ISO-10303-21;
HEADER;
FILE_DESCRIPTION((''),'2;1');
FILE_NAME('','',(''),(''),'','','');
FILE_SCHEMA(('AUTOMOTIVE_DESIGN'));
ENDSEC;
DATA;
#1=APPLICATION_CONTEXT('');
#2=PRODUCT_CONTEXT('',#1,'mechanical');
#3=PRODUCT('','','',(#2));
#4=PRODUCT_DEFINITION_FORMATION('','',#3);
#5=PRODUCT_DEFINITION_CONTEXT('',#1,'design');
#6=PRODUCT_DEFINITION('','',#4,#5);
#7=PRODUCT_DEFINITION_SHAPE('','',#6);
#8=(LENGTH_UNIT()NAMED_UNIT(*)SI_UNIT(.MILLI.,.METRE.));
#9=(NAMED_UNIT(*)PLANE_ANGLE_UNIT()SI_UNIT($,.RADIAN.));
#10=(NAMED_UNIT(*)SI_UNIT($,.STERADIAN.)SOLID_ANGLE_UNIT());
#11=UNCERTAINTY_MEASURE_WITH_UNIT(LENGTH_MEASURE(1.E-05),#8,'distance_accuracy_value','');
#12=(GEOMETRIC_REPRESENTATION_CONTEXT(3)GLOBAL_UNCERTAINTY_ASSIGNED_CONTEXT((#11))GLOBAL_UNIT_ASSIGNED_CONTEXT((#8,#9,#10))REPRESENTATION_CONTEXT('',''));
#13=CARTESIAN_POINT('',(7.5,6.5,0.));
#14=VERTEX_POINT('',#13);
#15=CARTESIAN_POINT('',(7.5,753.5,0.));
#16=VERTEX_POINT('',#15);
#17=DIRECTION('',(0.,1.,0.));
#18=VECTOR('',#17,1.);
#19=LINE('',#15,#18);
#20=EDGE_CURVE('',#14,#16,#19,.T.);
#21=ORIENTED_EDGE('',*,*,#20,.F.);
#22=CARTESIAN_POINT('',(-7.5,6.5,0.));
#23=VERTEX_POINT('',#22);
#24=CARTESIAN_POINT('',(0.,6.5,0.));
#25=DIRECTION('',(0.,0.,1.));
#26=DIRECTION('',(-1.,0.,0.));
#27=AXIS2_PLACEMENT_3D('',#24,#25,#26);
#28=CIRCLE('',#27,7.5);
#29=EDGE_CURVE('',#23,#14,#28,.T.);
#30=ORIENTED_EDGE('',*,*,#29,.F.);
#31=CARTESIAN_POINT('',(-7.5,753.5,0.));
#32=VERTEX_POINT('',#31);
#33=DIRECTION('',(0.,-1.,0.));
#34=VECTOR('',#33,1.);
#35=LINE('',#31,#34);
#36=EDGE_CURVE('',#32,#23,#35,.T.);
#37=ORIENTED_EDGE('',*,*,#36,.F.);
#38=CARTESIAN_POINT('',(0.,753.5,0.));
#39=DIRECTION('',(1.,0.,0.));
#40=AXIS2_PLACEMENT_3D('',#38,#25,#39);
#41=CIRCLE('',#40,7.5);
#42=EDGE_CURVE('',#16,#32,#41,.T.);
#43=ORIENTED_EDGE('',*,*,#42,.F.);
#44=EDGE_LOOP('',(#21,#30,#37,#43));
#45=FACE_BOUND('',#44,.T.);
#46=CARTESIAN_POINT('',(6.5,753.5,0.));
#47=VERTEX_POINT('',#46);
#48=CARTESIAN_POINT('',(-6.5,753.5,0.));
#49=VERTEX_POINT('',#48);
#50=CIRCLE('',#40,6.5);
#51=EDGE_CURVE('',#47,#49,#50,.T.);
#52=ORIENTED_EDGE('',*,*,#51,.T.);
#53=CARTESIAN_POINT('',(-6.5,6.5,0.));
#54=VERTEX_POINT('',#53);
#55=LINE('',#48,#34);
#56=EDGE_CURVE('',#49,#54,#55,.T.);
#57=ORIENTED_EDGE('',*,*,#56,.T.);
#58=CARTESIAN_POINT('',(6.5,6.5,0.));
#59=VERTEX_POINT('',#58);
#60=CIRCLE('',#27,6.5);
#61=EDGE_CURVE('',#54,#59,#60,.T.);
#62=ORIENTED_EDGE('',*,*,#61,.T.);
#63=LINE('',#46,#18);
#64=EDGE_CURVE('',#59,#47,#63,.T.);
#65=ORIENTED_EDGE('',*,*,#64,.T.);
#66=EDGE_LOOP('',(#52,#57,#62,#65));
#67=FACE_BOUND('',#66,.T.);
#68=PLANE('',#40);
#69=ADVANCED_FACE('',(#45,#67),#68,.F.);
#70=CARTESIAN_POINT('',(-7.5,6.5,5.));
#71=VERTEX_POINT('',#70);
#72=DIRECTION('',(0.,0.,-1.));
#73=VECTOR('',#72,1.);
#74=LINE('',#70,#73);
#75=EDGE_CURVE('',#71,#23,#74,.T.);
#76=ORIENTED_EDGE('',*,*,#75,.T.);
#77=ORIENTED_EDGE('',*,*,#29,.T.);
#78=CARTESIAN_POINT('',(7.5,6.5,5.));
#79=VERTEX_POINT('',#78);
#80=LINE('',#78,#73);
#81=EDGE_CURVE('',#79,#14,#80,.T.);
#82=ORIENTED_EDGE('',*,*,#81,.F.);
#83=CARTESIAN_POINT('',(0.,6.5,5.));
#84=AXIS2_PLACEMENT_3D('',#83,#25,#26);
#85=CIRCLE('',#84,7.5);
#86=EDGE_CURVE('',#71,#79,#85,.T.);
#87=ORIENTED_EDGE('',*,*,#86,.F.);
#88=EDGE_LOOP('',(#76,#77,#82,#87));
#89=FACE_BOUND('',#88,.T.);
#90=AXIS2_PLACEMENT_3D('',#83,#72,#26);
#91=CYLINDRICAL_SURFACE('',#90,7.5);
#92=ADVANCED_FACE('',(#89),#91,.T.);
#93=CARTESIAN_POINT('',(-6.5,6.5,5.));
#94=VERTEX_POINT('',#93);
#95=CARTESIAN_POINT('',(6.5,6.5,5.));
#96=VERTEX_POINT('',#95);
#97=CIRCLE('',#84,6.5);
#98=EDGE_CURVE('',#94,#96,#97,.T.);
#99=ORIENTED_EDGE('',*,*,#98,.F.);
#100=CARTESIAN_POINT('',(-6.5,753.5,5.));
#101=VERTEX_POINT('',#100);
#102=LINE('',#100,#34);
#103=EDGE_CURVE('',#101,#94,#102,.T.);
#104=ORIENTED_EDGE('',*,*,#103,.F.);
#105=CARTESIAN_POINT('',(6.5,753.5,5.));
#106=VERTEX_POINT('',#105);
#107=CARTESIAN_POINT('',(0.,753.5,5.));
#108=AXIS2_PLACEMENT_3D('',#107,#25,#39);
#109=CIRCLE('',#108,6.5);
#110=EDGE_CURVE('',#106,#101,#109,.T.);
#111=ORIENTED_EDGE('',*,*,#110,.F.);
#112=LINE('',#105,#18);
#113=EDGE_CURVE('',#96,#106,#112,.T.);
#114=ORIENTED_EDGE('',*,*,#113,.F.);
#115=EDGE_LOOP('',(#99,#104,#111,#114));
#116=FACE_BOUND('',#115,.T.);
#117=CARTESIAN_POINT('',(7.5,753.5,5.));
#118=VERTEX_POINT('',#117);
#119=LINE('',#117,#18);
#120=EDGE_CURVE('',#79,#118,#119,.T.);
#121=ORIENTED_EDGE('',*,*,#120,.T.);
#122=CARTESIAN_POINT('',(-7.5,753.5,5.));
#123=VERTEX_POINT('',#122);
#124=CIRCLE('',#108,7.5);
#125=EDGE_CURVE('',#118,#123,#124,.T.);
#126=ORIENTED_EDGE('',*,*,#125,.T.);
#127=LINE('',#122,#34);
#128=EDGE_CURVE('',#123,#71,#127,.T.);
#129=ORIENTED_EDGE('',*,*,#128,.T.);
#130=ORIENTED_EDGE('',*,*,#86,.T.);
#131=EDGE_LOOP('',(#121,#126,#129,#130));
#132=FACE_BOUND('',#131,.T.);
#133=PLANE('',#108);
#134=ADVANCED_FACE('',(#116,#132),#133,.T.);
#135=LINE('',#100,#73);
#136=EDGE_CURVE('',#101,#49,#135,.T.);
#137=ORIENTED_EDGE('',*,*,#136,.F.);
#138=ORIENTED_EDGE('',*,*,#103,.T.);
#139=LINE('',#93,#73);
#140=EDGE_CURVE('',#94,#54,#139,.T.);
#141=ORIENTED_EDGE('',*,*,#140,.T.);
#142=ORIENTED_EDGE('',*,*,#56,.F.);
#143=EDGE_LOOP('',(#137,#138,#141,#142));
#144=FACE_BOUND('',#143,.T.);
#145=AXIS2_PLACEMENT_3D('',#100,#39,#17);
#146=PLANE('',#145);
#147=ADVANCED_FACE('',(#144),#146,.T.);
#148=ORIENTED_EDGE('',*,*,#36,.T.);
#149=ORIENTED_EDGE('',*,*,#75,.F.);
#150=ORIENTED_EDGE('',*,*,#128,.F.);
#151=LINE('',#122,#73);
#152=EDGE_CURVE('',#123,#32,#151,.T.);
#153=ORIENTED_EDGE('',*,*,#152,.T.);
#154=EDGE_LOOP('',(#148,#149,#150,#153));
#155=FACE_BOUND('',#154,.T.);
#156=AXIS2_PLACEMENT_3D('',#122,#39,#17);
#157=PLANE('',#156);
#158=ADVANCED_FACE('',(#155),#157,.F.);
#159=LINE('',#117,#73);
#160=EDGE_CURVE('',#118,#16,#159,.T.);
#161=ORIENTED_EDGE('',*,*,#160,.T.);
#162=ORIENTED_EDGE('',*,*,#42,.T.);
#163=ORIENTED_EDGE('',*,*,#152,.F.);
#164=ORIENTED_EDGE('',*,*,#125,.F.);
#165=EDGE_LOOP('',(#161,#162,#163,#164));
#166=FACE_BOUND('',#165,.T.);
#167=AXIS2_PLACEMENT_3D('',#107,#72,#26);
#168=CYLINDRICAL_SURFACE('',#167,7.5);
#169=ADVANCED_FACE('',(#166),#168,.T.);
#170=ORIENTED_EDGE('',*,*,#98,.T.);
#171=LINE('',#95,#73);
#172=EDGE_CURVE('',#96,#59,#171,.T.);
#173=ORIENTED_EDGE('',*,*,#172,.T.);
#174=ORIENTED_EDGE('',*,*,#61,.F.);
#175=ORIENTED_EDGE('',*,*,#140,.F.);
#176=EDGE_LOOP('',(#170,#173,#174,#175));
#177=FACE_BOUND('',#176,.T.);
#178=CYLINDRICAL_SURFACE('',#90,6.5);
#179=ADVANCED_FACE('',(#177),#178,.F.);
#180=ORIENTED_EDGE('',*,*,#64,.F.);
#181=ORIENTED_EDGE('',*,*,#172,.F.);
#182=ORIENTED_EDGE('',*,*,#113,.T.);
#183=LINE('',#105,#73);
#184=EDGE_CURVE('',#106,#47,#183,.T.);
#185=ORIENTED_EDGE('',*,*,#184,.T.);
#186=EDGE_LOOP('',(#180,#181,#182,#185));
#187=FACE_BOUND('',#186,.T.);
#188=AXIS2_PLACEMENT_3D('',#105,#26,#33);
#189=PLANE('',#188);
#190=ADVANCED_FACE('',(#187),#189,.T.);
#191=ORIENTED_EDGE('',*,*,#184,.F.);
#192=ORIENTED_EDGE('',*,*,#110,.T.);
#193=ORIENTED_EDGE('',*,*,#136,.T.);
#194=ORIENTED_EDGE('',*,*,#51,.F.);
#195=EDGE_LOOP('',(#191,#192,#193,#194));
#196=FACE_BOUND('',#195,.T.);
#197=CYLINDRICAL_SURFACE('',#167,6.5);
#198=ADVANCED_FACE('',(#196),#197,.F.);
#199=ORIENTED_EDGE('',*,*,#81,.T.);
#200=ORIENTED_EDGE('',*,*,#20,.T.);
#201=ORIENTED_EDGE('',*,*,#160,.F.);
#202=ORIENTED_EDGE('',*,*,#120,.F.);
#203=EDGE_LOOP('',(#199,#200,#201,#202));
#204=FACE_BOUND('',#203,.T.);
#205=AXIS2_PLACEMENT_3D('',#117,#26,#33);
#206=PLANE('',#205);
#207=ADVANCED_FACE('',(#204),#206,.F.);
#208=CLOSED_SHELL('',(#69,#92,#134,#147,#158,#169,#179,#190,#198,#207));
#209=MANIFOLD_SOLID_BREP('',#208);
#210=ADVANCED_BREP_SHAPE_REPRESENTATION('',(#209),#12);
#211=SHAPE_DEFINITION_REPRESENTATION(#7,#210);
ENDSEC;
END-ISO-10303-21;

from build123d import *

# Parameters (mm, degrees)
EXTRUDE_1_DEPTH = 5


with BuildPart() as part:
    # 草圖1 → 填料-伸長1 (new body)
    with BuildSketch(Plane.XY):
        with BuildLine():
            Line((7.5, 753.5), (7.5, 6.5))
            ThreePointArc((7.5, 6.5), (0, -1), (-7.5, 6.5))
            Line((-7.5, 6.5), (-7.5, 753.5))
            ThreePointArc((-7.5, 753.5), (0, 761), (7.5, 753.5))
        make_face()
        with BuildLine():
            Line((6.5, 753.5), (6.5, 6.5))
            ThreePointArc((6.5, 6.5), (0, 0), (-6.5, 6.5))
            Line((-6.5, 6.5), (-6.5, 753.5))
            ThreePointArc((-6.5, 753.5), (0, 760), (6.5, 753.5))
        make_face(mode=Mode.SUBTRACT)
    extrude(amount=EXTRUDE_1_DEPTH)


solid = part.part
